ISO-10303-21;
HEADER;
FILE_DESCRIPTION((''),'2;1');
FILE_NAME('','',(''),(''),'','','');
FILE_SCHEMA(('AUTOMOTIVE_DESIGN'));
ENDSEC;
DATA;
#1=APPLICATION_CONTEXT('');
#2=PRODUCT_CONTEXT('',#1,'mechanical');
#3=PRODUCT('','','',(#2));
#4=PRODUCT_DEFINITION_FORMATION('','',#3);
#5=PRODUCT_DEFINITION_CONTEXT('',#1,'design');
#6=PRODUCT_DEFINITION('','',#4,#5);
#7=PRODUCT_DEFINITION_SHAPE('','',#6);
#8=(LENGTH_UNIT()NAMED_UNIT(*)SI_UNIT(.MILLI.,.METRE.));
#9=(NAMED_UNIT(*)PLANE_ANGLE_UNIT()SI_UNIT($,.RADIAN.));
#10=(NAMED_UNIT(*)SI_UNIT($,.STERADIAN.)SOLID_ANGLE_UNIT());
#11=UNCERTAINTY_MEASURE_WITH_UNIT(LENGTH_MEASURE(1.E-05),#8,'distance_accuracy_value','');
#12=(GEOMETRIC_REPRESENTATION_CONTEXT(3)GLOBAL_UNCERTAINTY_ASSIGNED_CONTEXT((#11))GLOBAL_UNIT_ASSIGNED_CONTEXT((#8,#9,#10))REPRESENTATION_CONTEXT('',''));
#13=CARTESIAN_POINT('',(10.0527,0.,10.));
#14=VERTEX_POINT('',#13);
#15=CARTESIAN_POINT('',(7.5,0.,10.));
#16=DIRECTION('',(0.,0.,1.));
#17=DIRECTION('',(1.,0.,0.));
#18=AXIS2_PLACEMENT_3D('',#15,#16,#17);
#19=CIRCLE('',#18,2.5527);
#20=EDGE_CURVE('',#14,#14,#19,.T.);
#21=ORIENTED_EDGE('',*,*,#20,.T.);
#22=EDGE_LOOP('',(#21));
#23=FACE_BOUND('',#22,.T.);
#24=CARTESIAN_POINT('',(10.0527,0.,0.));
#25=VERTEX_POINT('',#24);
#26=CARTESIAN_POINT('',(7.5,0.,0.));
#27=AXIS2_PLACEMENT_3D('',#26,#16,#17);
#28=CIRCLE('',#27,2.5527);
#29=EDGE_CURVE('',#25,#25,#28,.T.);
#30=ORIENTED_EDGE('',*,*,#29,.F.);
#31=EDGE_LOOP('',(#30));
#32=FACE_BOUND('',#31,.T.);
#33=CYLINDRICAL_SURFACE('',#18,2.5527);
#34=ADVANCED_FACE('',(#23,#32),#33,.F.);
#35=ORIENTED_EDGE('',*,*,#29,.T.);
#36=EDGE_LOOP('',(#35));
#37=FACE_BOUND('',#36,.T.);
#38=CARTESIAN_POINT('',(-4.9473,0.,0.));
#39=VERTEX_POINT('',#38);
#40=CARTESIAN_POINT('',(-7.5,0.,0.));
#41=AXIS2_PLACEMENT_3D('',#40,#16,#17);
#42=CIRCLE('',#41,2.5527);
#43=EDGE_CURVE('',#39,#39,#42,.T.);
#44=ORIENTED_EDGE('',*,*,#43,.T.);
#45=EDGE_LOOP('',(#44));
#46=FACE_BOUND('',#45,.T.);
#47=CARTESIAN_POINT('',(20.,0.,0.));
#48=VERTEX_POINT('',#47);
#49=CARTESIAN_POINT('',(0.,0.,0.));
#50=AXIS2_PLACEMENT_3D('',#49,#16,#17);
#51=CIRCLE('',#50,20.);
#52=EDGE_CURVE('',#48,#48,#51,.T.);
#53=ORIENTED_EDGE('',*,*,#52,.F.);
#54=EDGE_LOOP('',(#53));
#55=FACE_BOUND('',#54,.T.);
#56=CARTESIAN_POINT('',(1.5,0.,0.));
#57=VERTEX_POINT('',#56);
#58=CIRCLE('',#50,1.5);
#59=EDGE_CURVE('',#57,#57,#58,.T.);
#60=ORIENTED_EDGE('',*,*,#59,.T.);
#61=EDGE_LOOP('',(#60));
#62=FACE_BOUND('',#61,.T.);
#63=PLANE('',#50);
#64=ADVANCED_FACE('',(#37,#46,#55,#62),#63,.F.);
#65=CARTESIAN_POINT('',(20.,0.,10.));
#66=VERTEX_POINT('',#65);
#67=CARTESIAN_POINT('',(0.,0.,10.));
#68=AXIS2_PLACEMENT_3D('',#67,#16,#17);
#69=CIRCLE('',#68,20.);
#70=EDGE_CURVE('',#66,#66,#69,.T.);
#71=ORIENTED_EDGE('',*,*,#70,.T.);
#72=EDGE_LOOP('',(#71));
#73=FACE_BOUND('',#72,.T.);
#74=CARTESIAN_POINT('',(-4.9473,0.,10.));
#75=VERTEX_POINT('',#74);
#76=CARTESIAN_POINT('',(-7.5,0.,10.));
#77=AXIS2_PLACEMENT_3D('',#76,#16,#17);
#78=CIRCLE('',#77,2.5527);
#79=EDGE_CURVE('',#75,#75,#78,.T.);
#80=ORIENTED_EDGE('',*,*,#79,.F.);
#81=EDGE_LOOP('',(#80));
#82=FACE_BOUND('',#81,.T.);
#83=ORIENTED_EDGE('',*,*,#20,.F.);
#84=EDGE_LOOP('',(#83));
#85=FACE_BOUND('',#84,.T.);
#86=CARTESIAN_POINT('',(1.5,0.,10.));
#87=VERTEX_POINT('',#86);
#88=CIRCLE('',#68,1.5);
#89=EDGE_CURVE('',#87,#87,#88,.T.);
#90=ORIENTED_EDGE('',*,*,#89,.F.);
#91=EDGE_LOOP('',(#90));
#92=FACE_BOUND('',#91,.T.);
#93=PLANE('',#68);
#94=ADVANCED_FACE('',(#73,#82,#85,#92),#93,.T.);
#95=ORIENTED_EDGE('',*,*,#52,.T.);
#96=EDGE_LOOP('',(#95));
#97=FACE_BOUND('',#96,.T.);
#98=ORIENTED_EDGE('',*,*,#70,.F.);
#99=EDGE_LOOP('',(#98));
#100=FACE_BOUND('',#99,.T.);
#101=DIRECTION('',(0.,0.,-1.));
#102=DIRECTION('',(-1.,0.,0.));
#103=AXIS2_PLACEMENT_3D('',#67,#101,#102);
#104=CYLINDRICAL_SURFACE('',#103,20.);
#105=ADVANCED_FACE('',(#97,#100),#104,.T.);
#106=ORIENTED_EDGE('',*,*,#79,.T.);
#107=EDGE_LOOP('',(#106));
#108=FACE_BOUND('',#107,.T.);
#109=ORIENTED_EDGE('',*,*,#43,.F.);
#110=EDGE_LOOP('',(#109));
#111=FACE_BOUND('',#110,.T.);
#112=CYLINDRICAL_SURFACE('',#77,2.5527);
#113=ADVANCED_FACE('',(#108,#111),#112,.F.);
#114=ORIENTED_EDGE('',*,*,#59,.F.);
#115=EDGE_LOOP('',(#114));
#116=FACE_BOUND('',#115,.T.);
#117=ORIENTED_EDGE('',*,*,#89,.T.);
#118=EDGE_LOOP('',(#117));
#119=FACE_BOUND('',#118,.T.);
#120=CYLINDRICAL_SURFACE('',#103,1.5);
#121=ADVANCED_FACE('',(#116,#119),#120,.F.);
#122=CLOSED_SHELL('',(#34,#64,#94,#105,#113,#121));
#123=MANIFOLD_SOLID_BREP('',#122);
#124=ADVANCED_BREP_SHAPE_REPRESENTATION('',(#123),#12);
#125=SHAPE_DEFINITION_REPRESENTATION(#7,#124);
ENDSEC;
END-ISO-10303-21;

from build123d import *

# Parameters (mm, degrees)
SKETCH1_R               = 20
SKETCH1_R_2             = 1.5
BOSS_EXTRUDE1_DEPTH     = 10
F_1_4_20_TAPPED_HOLE1_D = 5.1054


with BuildPart() as part:
    # Sketch1 → Boss-Extrude1 (new body)
    with BuildSketch(Plane.XY):
        Circle(SKETCH1_R)
        Circle(SKETCH1_R_2, mode=Mode.SUBTRACT)
    extrude(amount=BOSS_EXTRUDE1_DEPTH)

    # 1/4-20 Tapped Hole1 (through all)
    with Locations(Plane.XY.offset(10)):
        with Locations((-7.5, 0), (7.5, 0)):
            Hole(F_1_4_20_TAPPED_HOLE1_D / 2)


solid = part.part
